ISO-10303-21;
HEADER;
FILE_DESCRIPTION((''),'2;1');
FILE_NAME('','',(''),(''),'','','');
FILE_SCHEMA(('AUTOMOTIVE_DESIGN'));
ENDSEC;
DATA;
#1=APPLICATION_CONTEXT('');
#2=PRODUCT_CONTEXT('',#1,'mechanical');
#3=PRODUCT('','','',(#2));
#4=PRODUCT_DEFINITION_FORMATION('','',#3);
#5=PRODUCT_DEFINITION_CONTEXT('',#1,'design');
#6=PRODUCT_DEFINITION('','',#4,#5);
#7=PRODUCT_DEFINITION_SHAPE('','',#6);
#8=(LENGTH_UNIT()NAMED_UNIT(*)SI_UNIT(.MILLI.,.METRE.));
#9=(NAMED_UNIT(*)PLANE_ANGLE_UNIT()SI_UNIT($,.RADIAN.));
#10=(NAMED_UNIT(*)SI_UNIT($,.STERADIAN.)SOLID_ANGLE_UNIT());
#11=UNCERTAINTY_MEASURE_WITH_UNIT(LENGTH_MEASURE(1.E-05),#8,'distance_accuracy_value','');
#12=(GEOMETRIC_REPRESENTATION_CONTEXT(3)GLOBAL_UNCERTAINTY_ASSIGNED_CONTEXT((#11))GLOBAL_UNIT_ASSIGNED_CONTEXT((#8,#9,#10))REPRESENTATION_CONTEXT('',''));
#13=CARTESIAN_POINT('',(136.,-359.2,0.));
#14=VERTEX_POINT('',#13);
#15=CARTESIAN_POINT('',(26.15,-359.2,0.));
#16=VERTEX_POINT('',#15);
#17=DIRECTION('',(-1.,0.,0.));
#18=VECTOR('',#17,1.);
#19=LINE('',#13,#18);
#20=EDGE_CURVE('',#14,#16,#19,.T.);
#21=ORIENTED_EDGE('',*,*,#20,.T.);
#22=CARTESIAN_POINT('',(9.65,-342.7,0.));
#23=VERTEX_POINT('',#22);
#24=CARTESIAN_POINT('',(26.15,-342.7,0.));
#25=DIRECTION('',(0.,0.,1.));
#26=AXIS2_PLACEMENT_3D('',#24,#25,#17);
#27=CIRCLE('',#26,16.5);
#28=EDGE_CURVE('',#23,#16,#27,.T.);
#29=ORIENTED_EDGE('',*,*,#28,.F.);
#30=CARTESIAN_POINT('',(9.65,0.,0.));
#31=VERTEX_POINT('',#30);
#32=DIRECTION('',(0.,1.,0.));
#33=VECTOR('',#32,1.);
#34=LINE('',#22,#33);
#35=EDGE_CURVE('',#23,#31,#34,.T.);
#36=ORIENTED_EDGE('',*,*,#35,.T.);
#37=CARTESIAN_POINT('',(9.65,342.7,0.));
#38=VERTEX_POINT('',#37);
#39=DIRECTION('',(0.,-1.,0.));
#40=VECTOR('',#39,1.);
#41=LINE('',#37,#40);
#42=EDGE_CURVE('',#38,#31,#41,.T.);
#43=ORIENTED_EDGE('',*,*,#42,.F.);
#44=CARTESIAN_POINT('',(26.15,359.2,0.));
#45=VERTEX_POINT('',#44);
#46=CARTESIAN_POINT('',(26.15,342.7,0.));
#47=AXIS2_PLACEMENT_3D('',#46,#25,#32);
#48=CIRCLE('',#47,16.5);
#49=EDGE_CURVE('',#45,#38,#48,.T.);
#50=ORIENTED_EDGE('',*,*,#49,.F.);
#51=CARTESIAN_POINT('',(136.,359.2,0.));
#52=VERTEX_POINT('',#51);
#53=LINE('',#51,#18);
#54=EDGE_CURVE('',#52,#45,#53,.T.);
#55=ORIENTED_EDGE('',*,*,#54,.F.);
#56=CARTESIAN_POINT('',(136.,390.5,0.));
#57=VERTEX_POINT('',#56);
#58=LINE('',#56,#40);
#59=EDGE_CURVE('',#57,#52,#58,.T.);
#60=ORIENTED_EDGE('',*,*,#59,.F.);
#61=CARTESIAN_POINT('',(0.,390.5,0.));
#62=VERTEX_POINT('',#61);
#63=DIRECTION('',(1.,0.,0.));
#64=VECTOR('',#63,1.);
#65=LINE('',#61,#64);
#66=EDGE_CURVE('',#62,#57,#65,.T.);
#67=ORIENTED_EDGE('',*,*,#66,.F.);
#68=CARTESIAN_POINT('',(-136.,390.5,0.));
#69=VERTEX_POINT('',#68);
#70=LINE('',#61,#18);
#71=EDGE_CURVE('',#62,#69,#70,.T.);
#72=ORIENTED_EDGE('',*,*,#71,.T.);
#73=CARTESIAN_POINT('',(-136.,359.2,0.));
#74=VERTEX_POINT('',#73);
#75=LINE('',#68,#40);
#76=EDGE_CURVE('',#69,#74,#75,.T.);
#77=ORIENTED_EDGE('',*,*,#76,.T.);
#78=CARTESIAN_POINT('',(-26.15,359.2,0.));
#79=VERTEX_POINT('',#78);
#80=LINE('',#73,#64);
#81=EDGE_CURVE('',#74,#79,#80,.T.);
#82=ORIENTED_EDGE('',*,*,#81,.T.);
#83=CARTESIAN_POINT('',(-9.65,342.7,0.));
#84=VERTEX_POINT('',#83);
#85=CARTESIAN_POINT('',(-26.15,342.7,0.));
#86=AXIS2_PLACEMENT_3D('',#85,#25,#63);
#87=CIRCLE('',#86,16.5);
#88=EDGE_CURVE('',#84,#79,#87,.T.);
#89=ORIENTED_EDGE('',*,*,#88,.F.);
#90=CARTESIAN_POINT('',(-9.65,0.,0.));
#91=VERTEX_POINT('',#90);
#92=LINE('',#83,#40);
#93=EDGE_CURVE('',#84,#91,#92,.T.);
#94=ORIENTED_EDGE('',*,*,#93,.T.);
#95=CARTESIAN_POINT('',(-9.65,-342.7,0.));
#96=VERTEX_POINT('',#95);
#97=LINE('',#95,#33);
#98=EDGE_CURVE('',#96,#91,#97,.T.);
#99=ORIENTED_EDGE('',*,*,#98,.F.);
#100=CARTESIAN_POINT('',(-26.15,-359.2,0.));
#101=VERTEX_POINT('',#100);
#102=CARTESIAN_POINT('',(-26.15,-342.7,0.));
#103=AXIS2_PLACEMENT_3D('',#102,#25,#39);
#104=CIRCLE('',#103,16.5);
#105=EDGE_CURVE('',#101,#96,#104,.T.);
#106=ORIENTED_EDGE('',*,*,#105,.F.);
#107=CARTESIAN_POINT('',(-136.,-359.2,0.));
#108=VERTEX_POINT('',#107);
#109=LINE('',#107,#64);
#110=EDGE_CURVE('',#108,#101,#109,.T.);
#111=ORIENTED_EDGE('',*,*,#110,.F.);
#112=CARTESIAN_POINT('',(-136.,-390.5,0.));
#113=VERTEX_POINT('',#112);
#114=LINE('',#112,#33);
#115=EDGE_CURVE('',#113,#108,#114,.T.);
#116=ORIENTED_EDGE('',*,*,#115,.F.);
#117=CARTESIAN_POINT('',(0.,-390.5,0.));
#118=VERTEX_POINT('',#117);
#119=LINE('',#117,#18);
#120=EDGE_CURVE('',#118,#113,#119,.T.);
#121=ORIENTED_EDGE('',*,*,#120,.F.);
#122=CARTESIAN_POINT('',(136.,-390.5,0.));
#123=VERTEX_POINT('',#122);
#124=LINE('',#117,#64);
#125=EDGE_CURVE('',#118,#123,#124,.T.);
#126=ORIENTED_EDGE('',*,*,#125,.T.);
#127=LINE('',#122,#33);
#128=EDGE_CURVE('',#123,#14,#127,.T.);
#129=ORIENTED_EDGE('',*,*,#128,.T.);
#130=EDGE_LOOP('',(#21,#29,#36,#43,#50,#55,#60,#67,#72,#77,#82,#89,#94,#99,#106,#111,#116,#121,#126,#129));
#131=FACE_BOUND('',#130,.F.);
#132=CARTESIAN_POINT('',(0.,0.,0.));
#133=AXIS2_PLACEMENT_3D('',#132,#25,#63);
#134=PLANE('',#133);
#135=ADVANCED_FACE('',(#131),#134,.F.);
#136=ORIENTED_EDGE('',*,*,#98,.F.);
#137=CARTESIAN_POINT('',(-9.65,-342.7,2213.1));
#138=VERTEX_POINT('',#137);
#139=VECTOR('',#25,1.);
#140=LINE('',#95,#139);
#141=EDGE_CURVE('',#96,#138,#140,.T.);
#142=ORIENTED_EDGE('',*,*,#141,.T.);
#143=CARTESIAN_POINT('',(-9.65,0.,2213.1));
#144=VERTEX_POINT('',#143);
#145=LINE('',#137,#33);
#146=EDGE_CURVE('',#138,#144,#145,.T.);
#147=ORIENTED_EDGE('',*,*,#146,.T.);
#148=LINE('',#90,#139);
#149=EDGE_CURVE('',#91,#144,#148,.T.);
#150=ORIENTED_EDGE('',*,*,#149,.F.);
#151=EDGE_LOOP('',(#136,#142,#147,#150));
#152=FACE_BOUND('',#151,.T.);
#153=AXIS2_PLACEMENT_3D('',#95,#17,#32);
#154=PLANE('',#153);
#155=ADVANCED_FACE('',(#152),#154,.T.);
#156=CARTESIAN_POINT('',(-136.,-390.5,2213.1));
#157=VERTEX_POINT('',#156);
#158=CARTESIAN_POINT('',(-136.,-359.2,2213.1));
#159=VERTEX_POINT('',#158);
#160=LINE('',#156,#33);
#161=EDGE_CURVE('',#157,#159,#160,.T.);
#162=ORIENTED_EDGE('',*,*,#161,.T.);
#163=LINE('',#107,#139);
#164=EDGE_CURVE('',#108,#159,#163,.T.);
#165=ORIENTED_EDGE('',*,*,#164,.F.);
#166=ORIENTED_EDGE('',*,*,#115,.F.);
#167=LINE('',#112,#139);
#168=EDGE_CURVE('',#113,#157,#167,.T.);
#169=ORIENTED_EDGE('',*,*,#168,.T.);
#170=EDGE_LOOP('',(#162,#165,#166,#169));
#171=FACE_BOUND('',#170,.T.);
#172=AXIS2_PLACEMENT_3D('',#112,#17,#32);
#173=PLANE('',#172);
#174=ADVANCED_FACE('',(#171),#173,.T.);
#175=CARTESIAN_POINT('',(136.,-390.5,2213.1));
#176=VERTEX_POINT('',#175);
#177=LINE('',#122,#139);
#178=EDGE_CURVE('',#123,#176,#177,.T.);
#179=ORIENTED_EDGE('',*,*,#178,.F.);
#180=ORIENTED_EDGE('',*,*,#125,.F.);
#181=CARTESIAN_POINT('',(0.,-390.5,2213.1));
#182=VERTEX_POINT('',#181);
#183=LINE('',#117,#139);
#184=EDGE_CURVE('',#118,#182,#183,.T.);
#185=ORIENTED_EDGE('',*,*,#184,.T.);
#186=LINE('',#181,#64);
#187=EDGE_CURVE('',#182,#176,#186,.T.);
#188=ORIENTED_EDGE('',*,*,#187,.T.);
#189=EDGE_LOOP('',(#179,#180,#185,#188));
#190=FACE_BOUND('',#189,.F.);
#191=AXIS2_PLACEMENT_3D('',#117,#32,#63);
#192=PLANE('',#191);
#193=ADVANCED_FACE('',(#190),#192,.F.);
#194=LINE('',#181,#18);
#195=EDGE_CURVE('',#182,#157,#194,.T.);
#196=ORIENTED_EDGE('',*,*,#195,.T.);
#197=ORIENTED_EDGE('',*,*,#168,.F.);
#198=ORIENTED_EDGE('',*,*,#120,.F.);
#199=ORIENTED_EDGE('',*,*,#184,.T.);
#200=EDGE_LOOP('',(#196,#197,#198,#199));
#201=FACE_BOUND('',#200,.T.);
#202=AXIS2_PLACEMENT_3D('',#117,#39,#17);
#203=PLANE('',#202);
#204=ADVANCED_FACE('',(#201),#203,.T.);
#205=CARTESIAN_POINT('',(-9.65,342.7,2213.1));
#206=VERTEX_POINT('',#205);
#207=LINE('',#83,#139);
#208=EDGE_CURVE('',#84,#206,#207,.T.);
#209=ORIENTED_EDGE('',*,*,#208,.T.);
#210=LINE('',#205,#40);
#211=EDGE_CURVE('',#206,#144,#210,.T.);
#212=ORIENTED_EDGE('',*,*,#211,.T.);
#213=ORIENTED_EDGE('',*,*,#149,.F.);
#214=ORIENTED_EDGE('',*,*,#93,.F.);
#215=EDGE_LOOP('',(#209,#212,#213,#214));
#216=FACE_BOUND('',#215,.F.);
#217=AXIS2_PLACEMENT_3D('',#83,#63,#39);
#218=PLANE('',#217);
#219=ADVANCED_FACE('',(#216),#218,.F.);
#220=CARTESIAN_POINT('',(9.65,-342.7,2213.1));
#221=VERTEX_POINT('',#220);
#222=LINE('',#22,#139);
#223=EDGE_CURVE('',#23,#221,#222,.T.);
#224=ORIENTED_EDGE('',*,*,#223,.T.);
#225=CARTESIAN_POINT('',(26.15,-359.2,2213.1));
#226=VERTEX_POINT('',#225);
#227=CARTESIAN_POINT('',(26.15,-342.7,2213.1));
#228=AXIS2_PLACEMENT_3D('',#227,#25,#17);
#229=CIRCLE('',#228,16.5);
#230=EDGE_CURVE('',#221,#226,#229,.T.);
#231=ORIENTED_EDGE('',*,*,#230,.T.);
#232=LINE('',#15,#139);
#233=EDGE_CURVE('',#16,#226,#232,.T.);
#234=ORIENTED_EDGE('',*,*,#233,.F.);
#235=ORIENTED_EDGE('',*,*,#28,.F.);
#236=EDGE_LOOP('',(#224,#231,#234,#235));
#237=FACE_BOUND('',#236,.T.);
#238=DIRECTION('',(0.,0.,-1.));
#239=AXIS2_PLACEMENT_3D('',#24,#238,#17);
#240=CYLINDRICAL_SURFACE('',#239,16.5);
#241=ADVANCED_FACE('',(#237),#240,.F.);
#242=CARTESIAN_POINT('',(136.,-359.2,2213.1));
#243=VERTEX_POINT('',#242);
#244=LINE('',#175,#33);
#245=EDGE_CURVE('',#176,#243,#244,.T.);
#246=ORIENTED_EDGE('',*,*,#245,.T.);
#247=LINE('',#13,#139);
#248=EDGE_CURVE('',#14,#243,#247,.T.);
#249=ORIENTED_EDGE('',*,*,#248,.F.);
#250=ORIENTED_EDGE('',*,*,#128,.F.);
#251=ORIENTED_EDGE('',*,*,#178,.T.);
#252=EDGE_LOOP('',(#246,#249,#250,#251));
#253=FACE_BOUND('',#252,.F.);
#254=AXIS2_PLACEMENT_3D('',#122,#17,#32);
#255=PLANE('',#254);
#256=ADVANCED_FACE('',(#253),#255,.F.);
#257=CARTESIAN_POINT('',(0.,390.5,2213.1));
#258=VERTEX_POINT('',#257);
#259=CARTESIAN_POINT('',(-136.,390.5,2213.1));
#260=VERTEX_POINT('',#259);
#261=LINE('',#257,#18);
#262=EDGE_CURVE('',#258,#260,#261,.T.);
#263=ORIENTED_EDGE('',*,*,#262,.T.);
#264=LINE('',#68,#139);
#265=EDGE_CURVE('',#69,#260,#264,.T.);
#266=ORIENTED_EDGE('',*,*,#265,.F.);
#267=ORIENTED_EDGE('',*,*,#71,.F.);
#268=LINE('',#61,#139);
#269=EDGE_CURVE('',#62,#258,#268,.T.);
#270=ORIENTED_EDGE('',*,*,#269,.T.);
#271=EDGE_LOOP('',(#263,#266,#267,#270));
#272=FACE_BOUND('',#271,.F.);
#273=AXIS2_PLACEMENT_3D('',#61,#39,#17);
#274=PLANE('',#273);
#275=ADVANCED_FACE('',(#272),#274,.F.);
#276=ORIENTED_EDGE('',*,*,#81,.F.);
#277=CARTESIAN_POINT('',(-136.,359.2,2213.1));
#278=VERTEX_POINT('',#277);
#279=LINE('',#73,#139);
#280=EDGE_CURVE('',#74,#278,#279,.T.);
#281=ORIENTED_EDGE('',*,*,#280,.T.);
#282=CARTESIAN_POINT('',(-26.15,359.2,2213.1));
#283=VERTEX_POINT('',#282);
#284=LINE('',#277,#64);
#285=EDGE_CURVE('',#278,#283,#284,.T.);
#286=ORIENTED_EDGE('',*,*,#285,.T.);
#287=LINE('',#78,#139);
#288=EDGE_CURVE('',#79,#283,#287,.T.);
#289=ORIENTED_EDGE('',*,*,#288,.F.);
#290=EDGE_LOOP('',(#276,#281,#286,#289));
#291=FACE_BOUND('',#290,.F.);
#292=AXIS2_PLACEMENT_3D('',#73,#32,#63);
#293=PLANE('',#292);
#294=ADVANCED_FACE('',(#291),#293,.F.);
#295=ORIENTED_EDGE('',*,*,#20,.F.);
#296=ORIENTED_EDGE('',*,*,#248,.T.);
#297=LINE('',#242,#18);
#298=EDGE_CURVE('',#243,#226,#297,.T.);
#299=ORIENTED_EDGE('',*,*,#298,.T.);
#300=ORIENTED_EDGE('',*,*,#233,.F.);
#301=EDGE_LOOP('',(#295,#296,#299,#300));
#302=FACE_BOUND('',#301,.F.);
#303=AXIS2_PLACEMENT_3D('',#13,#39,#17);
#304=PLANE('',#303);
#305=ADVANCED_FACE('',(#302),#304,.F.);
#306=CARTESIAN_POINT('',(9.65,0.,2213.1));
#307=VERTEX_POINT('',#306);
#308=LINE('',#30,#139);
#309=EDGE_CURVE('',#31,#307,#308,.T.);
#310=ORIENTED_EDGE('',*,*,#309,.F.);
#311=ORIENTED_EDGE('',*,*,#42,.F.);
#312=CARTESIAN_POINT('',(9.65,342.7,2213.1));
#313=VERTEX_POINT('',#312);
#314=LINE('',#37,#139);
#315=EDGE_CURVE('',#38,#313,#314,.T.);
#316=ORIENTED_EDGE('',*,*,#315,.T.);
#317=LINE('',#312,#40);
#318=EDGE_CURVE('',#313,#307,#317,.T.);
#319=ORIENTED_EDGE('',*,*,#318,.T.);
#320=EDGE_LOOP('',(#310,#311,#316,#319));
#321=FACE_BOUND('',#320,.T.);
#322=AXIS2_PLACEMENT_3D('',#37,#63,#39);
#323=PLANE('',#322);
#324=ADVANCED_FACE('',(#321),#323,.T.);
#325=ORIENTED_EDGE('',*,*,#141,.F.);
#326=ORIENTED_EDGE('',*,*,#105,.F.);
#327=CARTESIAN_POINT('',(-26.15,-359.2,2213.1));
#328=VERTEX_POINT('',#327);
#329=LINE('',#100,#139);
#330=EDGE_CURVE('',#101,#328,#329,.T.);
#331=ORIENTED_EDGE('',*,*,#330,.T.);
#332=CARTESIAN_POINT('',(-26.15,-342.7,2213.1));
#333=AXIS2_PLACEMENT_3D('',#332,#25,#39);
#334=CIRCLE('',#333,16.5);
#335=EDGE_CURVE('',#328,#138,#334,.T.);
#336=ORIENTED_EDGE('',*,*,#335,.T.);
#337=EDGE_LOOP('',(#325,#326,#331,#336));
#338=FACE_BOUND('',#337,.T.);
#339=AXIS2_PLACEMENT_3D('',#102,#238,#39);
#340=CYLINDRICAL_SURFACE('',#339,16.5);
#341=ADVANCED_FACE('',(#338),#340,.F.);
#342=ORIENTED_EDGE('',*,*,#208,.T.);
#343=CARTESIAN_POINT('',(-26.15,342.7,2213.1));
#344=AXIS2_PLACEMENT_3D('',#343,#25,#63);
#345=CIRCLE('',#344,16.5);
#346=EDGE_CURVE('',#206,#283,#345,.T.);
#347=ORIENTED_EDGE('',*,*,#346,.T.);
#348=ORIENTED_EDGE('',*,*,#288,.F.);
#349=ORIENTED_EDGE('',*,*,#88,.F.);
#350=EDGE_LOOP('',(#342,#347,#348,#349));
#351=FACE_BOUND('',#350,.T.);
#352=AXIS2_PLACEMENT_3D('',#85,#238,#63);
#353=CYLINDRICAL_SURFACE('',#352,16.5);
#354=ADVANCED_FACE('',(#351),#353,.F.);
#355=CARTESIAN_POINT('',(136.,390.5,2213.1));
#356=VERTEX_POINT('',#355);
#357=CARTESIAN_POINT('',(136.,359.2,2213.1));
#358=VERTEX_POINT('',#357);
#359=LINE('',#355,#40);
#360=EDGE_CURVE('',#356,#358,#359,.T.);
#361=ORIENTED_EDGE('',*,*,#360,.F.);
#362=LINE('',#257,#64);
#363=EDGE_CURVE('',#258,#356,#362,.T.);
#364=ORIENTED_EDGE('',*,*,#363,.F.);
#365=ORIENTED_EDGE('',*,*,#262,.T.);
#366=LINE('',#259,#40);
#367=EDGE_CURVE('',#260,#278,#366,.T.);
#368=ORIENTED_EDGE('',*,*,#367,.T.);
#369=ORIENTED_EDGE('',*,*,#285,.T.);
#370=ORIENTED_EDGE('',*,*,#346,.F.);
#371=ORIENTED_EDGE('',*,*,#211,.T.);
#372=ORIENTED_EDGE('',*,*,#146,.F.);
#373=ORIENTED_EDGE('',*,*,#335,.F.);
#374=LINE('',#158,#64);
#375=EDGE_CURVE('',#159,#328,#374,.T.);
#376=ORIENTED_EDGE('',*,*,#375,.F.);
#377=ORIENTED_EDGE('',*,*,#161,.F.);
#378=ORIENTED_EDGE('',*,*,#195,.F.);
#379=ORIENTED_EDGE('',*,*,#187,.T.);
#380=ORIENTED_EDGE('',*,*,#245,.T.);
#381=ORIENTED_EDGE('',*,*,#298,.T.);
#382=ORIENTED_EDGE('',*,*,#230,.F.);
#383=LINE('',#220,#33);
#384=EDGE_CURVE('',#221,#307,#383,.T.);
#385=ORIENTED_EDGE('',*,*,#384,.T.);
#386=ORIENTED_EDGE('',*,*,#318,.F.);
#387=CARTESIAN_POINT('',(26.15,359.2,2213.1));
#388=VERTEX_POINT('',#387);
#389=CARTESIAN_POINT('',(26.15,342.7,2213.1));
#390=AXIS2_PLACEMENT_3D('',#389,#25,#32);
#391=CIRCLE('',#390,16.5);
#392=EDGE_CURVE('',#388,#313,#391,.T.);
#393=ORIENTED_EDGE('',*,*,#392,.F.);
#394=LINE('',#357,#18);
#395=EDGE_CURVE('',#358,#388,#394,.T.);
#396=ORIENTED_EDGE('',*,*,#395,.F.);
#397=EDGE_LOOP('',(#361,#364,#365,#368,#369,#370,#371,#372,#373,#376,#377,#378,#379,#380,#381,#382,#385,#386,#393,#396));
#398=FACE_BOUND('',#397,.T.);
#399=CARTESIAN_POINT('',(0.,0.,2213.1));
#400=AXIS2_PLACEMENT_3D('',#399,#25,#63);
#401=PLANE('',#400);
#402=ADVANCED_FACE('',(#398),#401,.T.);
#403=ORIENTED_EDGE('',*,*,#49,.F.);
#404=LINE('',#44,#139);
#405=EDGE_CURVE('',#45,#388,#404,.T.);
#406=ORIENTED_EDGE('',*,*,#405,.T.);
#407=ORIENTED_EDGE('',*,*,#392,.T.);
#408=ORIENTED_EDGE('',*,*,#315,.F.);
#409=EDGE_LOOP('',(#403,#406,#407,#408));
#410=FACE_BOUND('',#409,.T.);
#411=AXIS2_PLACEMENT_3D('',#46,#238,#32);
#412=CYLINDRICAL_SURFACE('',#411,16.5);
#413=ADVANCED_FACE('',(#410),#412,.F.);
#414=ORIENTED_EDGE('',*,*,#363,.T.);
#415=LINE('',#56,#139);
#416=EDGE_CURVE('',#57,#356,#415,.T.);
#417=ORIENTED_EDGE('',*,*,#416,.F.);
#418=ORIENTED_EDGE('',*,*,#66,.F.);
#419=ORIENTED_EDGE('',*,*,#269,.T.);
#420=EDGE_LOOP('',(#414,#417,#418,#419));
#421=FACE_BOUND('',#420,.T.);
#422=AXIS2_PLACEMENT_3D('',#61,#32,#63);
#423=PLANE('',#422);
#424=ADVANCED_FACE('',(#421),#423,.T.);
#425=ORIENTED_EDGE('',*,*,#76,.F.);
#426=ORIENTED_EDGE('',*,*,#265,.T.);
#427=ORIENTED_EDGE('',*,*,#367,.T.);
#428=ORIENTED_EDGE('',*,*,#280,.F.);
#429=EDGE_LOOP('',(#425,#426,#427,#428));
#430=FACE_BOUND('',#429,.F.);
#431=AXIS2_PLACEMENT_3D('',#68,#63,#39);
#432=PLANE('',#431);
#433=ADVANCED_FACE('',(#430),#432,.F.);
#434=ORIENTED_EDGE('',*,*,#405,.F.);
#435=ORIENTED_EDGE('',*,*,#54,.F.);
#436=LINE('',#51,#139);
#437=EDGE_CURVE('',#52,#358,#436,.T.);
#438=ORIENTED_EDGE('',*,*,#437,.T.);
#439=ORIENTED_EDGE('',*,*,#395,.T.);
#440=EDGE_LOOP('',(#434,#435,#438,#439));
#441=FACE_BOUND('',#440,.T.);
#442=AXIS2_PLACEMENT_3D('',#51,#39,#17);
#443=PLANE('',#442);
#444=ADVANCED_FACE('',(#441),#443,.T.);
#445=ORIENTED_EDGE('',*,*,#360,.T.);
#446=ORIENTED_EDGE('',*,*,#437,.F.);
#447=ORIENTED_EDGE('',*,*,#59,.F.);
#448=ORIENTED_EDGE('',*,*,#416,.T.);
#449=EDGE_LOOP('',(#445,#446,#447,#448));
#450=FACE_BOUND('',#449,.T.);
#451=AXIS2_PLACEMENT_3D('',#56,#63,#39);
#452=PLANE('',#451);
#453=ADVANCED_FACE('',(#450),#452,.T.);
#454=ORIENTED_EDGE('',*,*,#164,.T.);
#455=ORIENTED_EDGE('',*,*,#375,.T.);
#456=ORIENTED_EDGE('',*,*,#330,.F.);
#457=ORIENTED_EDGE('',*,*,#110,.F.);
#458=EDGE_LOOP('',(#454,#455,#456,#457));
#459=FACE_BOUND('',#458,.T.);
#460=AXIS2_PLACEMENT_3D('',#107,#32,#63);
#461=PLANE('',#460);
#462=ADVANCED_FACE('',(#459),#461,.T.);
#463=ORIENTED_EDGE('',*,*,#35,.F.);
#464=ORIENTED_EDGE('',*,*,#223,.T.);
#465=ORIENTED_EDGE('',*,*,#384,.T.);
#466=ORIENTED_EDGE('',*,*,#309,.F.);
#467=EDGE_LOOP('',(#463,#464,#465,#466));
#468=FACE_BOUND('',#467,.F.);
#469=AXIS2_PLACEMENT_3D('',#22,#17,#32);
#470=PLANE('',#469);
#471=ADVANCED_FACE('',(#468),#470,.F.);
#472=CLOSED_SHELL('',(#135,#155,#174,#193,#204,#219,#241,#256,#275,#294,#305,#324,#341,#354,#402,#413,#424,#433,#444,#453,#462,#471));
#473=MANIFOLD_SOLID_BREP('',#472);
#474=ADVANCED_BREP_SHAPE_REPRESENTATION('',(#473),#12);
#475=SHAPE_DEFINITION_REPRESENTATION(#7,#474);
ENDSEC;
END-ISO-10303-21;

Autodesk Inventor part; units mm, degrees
ref_plane "YZ Plane" through (0, 0, 0) normal (1, 0, 0) x (0, 1, 0)
ref_plane "Start plane" through (0, 0, 0) normal (0, 0, 1) x (1, 0, 0)
ref_plane "End plane" through (0, 0, 2213.1) normal (0, 0, 1) x (1, 0, 0)
sketch "Sketch" plane through (0, 0, 0) normal (0, 0, 1) x (1, 0, 0)
  line L0 (-136, -390.5) -> (-136, -359.2)
  line L1 (-136, -359.2) -> (-26.15, -359.2)
  line L2 (-9.65, -342.7) -> (-9.65, 0)
  line L3 (-9.65, 0) -> (0, 0) construction
  line L4 (0, 0) -> (0, -390.5) construction
  line L5 (0, -390.5) -> (-136, -390.5)
  line L6 (-60, 0) -> (80, 0) construction
  line L7 (0, -60) -> (0, 80) construction
  line L8 (136, -390.5) -> (136, -359.2)
  line L9 (136, -359.2) -> (26.15, -359.2)
  line L10 (9.65, -342.7) -> (9.65, 0)
  line L11 (9.65, 0) -> (0, 0) construction
  line L12 (0, -390.5) -> (136, -390.5)
  line L13 (-136, 390.5) -> (-136, 359.2)
  line L14 (-136, 359.2) -> (-26.15, 359.2)
  line L15 (-9.65, 342.7) -> (-9.65, 0)
  line L16 (0, 390.5) -> (-136, 390.5)
  line L17 (136, 390.5) -> (136, 359.2)
  line L18 (136, 359.2) -> (26.15, 359.2)
  line L19 (0, 390.5) -> (136, 390.5)
  line L20 (9.65, 342.7) -> (9.65, 0)
  arc A0 (-9.65, 342.7) -> (-26.15, 359.2) centre (-26.15, 342.7) ccw
  arc A1 (26.15, 359.2) -> (9.65, 342.7) centre (26.15, 342.7) ccw
  arc A2 (9.65, -342.7) -> (26.15, -359.2) centre (26.15, -342.7) ccw
  arc A3 (-26.15, -359.2) -> (-9.65, -342.7) centre (-26.15, -342.7) ccw
  line L21 (0, 108) -> (0, -88) construction
  line L22 (-88, 0) -> (108, 0) construction
  point P0 (-9.65, -359.2)
  point P1 (9.65, -359.2)
  point P2 (-9.65, 359.2)
  point P3 (9.65, 359.2)
  dimension "d1" = 390.5
  dimension "d2" = 31.3
  dimension "d3" = 136
  dimension "d4" = 9.65
  dimension "d10" = 16.5
extrude "Body" add sketch "Sketch" along normal up to surface (2213.1 mm away) from surface at 0
sketch "Sketch4" plane through (0, 0, 0) normal (0, 0, 1) x (1, 0, 0)
  line L0 (0, 0) -> (10, 0)
ref_plane "Work Plane3" through (0, 0, 0) normal (0, -1, 0) x (1, 0, 0)
sketch "Sketch5" plane through (0, 0, 0) normal (0, -1, 0) x (1, 0, 0)
  line L0 (-2, 0) -> (12, 0) projected
  line L1 (-2, 2213.1) -> (12, 2213.1) projected
  dimension "d14" = 2213.1
equation "\"d1\" = 0.5 * G_H"
equation "\"d2\" = G_T1"
equation "\"d3\" = 0.5 * G_W"
equation "\"d4\" = 0.5 * G_T"
equation "\"d10\" = G_IR"
equation "\"d5\" = G_L"
equation "\"G_W\" = 272"
equation "\"G_H\" = 781"
equation "\"G_T\" = 19.3"
equation "\"G_T1\" = 31.3"
equation "\"G_IR\" = 16.5"
equation "\"G_L\" = d14"
equation "\"G_OFFSET_START\" = 0"
equation "\"G_OFFSET_END\" = 0"
equation "\"d12\" = G_OFFSET_END + B_L"
equation "\"B_L\" = 2213.1"
properties part number "AS 3679-1990 - 760 UB - 244 - 2213.1" material "Steel, Mild"
